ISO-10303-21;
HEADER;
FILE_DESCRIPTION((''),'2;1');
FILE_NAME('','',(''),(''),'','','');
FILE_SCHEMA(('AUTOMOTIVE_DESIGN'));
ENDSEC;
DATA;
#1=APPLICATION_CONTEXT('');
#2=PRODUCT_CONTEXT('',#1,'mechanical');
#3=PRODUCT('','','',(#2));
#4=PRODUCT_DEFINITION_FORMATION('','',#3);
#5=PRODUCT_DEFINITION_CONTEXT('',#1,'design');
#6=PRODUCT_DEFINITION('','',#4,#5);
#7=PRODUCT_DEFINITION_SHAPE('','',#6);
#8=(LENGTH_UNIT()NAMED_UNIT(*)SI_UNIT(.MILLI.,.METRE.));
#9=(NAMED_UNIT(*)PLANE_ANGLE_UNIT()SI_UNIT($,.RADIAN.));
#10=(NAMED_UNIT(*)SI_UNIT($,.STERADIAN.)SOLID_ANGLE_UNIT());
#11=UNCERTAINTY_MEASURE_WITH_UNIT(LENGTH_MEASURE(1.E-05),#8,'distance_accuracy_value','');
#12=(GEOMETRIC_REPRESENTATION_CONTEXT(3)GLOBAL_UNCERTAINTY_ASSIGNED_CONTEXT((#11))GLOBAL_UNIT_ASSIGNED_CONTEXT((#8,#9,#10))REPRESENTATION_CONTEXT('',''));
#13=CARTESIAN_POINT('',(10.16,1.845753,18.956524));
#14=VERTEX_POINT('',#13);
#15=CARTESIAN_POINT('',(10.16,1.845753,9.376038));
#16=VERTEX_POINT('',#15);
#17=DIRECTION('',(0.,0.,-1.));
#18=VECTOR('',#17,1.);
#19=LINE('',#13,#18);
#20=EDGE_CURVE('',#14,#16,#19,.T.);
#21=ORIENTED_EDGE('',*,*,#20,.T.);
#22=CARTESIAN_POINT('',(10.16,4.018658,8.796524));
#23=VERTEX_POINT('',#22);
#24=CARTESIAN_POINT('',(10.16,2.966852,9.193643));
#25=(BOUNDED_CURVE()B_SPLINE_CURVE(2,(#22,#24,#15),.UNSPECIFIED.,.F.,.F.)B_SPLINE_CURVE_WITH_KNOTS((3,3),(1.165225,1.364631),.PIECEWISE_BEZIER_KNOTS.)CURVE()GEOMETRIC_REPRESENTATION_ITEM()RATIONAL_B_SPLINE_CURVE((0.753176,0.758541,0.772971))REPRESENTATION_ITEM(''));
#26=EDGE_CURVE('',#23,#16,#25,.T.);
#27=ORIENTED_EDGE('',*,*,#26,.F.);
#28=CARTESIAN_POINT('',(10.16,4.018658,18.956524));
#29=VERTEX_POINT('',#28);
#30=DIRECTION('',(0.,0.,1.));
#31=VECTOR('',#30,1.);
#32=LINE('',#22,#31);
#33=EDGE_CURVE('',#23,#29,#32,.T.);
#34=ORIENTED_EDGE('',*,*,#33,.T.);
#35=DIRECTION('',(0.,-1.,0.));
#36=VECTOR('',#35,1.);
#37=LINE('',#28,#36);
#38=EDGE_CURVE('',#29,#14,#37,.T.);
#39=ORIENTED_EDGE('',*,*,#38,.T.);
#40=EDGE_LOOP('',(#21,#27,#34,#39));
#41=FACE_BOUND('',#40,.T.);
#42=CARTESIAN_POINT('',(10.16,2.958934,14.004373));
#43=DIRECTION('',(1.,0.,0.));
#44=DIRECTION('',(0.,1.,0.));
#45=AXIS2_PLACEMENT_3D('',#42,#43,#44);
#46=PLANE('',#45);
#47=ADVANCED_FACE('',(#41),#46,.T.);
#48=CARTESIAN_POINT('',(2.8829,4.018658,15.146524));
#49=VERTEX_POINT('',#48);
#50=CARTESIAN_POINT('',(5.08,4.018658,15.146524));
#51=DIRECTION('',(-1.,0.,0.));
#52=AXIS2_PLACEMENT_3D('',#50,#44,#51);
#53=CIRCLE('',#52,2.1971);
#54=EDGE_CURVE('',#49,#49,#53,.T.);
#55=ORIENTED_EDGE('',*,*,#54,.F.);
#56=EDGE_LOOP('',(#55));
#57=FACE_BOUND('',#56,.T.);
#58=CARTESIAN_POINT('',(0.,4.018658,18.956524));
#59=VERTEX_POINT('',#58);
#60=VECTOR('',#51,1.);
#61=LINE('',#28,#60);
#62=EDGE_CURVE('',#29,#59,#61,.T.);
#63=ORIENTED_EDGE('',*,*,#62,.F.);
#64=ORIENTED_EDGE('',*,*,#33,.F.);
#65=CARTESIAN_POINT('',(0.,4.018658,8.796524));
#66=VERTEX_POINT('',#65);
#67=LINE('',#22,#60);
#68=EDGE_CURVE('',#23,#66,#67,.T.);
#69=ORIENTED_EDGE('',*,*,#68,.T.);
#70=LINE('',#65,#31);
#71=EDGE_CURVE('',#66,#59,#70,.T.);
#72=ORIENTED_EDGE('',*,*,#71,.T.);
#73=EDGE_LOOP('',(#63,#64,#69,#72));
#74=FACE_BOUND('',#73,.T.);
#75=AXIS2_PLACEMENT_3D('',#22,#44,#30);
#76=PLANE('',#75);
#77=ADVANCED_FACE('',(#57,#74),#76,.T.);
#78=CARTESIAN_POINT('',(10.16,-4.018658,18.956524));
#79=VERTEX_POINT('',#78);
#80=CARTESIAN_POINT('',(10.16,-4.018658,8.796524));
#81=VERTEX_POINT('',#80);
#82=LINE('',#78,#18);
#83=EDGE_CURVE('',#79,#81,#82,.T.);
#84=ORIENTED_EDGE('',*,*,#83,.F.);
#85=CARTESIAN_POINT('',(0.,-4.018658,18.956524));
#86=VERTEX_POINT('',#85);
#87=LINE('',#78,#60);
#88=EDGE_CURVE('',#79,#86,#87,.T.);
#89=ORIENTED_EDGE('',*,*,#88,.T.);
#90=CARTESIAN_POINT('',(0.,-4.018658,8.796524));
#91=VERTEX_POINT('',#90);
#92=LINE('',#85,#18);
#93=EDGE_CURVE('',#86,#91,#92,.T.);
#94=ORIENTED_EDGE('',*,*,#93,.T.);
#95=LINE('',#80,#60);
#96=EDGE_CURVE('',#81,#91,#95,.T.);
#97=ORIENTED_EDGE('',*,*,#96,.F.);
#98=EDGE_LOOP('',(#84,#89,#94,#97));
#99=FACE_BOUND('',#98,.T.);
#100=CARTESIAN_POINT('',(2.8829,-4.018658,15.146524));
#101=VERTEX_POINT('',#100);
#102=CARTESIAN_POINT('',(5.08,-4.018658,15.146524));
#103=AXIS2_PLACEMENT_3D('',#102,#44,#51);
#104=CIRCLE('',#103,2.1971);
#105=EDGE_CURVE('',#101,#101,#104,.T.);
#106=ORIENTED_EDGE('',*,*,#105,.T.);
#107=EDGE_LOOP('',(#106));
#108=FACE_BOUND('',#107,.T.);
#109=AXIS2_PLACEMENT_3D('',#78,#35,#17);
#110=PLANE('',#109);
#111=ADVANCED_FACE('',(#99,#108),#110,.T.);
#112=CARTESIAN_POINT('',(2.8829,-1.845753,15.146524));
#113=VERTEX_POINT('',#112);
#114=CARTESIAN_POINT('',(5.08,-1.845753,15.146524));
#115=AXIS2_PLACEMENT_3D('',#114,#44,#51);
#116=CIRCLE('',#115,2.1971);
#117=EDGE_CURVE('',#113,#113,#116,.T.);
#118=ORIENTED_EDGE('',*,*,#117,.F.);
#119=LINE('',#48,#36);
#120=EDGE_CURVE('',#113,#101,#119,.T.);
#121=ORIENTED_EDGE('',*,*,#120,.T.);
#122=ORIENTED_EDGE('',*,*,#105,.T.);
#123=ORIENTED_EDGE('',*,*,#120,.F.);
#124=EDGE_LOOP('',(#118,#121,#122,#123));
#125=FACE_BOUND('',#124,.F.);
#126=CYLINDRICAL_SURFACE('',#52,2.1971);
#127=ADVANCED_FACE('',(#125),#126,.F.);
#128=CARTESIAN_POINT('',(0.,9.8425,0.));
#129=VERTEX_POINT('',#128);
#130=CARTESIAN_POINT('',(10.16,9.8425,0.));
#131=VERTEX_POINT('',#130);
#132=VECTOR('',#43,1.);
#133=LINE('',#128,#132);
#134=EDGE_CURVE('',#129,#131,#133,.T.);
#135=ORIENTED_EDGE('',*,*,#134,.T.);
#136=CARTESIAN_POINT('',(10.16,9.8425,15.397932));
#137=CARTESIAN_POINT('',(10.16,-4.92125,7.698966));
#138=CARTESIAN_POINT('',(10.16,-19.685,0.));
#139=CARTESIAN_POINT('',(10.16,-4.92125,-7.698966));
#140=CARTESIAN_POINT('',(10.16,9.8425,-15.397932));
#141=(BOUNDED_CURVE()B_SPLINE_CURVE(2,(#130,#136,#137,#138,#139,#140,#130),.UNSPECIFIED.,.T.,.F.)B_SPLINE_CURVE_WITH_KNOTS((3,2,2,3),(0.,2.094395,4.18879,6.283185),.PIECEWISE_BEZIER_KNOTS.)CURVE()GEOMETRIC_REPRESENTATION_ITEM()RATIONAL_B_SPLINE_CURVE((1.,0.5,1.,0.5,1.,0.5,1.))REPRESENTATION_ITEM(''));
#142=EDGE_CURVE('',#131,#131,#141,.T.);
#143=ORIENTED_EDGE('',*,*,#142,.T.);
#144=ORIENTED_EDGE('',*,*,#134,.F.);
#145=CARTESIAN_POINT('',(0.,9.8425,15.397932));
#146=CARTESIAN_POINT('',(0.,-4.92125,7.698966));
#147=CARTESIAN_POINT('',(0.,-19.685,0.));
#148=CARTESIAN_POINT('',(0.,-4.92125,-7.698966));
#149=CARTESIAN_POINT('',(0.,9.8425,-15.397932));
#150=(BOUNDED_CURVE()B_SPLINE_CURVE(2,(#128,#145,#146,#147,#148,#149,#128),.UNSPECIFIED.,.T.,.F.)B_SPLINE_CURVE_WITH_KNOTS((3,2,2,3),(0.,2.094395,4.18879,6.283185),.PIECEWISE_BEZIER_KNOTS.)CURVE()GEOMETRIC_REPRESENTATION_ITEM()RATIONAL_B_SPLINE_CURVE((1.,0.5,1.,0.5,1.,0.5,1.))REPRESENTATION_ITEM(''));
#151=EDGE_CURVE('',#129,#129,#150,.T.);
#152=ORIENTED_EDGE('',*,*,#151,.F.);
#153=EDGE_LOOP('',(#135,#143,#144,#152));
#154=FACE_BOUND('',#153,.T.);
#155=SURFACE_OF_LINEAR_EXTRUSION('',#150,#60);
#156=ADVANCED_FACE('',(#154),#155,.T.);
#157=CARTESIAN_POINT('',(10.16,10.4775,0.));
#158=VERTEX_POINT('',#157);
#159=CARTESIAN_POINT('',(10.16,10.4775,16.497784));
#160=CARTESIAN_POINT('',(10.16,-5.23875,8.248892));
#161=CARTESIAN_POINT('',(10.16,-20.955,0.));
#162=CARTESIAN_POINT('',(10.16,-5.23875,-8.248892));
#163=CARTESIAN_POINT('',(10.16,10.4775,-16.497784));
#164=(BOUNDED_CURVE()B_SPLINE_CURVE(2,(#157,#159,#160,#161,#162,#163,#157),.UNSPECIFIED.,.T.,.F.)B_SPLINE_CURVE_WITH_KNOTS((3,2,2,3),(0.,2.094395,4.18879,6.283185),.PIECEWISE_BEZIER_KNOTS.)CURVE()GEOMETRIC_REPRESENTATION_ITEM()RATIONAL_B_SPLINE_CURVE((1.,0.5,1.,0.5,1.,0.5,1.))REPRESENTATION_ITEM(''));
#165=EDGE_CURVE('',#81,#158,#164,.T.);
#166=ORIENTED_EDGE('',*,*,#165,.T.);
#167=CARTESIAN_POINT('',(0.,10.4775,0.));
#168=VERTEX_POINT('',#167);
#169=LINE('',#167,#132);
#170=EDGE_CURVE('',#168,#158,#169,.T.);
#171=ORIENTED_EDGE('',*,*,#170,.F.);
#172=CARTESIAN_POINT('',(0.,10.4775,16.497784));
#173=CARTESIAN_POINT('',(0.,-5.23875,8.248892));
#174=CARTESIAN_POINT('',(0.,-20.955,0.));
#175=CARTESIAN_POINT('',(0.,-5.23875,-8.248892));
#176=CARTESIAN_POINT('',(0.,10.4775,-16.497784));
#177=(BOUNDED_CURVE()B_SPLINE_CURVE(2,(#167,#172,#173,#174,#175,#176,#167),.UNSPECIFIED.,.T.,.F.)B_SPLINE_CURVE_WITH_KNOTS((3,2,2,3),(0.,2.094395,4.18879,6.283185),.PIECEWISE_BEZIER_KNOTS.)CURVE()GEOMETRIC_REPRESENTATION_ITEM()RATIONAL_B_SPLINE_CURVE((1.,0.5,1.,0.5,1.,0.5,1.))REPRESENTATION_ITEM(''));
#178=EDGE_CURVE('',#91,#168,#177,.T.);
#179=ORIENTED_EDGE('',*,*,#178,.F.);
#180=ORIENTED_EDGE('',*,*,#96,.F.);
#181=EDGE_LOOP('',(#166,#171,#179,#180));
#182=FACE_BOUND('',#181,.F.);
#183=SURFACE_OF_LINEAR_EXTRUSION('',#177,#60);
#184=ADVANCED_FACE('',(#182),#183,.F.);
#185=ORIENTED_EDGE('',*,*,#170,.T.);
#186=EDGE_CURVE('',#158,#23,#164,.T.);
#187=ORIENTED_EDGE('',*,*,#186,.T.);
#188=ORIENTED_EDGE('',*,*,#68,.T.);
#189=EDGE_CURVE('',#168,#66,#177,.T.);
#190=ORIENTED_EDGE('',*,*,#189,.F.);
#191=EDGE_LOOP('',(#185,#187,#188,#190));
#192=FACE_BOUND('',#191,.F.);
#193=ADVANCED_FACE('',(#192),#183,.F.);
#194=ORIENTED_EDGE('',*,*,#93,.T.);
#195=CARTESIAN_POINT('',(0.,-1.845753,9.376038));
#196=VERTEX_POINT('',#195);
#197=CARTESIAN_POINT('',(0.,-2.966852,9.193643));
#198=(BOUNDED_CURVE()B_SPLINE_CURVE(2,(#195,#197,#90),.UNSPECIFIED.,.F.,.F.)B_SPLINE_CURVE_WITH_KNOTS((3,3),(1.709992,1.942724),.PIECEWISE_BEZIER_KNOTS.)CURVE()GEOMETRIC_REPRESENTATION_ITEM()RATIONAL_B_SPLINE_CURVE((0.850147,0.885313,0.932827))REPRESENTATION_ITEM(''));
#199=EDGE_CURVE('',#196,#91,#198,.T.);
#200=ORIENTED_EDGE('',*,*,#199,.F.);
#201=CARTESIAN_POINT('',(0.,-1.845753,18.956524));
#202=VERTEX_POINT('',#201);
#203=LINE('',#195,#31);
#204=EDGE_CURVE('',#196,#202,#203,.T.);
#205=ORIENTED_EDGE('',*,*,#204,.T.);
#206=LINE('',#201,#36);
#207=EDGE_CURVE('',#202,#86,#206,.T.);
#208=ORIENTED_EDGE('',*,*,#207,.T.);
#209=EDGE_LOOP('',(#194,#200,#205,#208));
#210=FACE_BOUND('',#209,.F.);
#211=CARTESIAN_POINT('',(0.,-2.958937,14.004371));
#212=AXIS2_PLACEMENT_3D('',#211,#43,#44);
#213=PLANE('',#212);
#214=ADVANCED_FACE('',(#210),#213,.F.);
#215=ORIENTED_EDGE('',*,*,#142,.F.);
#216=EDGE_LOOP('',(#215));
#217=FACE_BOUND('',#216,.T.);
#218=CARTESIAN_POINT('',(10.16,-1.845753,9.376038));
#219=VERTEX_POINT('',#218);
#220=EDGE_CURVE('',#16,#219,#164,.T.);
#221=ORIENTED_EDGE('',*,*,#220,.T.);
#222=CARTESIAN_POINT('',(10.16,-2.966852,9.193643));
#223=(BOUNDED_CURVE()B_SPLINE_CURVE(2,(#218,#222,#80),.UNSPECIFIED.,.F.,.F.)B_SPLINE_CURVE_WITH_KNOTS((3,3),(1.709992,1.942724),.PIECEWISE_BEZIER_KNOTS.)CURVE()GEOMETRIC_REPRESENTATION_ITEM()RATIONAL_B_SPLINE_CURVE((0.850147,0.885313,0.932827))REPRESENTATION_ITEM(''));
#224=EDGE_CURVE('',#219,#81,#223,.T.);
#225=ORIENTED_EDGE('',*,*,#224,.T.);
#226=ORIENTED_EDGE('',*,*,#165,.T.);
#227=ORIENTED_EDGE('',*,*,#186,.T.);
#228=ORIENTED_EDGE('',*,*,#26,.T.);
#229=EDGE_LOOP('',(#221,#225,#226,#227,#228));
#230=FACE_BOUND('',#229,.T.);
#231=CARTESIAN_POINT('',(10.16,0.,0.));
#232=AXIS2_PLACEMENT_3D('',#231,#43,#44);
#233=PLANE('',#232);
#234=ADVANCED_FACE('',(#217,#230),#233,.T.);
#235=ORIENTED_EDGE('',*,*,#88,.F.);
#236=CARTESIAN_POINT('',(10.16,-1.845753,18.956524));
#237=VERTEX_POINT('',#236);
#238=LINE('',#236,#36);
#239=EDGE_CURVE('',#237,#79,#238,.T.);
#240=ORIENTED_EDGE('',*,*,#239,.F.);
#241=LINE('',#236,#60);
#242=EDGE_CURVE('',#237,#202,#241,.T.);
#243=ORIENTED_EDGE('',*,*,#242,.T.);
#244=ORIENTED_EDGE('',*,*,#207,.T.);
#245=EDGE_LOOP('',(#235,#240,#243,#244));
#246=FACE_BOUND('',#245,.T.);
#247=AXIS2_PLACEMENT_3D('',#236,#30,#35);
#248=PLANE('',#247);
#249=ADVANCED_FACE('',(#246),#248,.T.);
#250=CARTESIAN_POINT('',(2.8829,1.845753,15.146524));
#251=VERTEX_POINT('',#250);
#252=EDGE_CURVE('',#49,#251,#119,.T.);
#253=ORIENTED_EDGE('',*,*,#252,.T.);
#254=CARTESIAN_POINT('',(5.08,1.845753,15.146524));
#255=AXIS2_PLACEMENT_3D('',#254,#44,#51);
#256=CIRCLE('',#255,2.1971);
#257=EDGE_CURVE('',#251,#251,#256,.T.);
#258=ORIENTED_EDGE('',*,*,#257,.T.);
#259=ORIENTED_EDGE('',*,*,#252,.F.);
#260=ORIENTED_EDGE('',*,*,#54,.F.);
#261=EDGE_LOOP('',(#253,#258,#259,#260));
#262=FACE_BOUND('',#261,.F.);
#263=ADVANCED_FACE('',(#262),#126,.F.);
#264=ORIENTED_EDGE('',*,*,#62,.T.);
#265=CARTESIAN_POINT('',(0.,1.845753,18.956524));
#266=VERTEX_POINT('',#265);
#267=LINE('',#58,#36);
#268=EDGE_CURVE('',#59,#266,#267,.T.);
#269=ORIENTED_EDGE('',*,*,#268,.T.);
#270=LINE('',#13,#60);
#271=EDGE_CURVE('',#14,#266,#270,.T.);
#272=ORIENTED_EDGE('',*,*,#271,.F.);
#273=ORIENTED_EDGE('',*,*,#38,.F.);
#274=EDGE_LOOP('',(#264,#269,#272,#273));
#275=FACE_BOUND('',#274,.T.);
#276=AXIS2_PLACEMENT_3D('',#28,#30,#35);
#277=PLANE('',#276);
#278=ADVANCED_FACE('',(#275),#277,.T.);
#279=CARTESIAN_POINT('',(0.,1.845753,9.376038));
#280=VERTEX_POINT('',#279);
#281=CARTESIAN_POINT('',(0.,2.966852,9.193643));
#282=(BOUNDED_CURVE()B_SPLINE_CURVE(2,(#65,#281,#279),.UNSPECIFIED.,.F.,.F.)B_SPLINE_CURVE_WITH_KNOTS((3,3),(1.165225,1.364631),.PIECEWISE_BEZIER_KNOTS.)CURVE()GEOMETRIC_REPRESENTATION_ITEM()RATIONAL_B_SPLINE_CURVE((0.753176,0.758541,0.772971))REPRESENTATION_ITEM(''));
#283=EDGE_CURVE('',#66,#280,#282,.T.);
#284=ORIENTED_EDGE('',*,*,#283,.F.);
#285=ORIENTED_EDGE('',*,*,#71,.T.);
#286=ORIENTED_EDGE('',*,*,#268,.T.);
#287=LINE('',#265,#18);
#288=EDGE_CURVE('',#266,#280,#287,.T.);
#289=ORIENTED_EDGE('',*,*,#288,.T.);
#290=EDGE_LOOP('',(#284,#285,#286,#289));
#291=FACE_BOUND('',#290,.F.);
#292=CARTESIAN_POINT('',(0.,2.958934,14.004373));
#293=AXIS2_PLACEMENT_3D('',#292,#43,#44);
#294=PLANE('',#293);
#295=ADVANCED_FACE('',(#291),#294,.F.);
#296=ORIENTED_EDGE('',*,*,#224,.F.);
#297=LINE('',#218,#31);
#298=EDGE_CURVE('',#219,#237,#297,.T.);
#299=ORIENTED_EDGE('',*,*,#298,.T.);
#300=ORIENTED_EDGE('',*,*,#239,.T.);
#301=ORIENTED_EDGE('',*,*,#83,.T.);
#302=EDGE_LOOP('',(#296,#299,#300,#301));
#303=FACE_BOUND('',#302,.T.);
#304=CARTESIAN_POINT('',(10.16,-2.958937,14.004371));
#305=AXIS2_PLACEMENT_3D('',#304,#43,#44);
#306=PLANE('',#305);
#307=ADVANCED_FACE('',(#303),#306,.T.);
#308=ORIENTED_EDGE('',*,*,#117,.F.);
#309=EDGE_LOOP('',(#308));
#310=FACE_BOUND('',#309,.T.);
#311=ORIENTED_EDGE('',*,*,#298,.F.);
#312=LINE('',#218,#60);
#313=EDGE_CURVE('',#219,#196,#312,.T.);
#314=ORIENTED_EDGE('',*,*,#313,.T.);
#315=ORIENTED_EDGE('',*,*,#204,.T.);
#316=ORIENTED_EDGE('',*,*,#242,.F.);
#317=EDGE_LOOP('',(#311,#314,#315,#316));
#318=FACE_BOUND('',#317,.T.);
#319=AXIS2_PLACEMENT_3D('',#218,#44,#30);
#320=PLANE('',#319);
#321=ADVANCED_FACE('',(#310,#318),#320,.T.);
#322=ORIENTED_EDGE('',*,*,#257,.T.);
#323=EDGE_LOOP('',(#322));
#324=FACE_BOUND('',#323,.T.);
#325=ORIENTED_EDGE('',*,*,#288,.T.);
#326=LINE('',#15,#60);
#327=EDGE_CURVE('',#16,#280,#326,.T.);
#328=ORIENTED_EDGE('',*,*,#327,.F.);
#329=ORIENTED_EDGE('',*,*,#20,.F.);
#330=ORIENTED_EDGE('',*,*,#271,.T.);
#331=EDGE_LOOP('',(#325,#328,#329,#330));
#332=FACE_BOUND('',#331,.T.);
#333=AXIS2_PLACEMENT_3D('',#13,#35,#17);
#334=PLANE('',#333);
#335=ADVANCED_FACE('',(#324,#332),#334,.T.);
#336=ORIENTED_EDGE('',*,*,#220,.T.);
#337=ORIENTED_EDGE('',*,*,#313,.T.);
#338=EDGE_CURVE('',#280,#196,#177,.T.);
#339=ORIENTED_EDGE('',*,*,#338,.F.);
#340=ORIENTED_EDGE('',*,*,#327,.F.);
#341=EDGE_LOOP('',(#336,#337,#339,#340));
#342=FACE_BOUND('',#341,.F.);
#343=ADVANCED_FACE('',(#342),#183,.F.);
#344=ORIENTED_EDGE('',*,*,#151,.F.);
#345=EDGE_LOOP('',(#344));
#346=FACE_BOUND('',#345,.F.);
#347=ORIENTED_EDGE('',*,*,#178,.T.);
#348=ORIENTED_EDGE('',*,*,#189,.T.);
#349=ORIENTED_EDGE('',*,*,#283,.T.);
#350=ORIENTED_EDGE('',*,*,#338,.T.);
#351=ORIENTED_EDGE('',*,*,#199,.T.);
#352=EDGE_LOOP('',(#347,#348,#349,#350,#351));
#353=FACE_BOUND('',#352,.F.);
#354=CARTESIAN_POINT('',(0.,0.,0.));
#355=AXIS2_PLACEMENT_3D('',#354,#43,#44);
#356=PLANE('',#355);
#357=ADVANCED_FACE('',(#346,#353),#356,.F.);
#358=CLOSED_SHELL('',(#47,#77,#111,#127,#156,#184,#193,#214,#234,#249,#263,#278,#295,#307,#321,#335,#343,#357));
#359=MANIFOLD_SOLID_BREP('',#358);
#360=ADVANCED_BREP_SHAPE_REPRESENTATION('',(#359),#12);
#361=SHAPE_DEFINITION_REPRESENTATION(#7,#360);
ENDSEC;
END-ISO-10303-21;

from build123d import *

# Parameters (mm, degrees)
F1_DEPTH = 10.16
F3_DEPTH = 10.16
F4_R     = 2.1971
F5_DEPTH = 25.4


with BuildPart() as f1:
    # F0 (on Right) → F1 (new body)
    with BuildSketch(Plane.YZ):
        with BuildLine():
            add(Edge.make_bspline(
                [(10.4775, 0), (10.4775, 16.497784), (-5.23875, 8.248892), (-20.955, 0), (-5.23875, -8.248892), (10.4775, -16.497784), (10.4775, 0)],
                knots=[0, 0, 0, 2.094395, 2.094395, 4.18879, 4.18879, 6.283185, 6.283185, 6.283185], degree=2, weights=[1, 0.5, 1, 0.5, 1, 0.5, 1]))
        make_face()
        with BuildLine():
            add(Edge.make_bspline(
                [(9.8425, 0), (9.8425, 15.397932), (-4.92125, 7.698966), (-19.685, 0), (-4.92125, -7.698966), (9.8425, -15.397932), (9.8425, 0)],
                knots=[0, 0, 0, 2.094395, 2.094395, 4.18879, 4.18879, 6.283185, 6.283185, 6.283185], degree=2, weights=[1, 0.5, 1, 0.5, 1, 0.5, 1]))
        make_face(mode=Mode.SUBTRACT)
    extrude(amount=F1_DEPTH)

    # F2 (on face) → F3 (join)
    with BuildSketch(Plane.YZ.offset(10.16)):
        with BuildLine():
            Line((-4.018658, 18.956524), (-4.018658, 8.796524))
            add(Edge.make_bspline(
                [(-1.845753, 9.376038), (-2.966852, 9.193643), (-4.018658, 8.796524)],
                knots=[1.709992, 1.709992, 1.709992, 1.942724, 1.942724, 1.942724], degree=2, weights=[0.850147, 0.885313, 0.932827]))
            Line((-1.845753, 9.376038), (-1.845753, 18.956524))
            Line((-1.845753, 18.956524), (-4.018658, 18.956524))
        make_face()
        with BuildLine():
            Line((1.845753, 18.956524), (1.845753, 9.376038))
            add(Edge.make_bspline(
                [(4.018658, 8.796524), (2.966852, 9.193643), (1.845753, 9.376038)],
                knots=[1.165225, 1.165225, 1.165225, 1.364631, 1.364631, 1.364631], degree=2, weights=[0.753176, 0.758541, 0.772971]))
            Line((4.018658, 8.796524), (4.018658, 18.956524))
            Line((4.018658, 18.956524), (1.845753, 18.956524))
        make_face()
    extrude(amount=-F3_DEPTH)

    # F4 (on face) → F5 (cut)
    with BuildSketch(Plane(origin=(0, 4.018658, 0), x_dir=(-1, 0, 0), z_dir=(0, 1, 0))):
        with Locations((-5.08, 15.146524)):
            Circle(F4_R)
    extrude(amount=-F5_DEPTH, mode=Mode.SUBTRACT)


solid = f1.part
